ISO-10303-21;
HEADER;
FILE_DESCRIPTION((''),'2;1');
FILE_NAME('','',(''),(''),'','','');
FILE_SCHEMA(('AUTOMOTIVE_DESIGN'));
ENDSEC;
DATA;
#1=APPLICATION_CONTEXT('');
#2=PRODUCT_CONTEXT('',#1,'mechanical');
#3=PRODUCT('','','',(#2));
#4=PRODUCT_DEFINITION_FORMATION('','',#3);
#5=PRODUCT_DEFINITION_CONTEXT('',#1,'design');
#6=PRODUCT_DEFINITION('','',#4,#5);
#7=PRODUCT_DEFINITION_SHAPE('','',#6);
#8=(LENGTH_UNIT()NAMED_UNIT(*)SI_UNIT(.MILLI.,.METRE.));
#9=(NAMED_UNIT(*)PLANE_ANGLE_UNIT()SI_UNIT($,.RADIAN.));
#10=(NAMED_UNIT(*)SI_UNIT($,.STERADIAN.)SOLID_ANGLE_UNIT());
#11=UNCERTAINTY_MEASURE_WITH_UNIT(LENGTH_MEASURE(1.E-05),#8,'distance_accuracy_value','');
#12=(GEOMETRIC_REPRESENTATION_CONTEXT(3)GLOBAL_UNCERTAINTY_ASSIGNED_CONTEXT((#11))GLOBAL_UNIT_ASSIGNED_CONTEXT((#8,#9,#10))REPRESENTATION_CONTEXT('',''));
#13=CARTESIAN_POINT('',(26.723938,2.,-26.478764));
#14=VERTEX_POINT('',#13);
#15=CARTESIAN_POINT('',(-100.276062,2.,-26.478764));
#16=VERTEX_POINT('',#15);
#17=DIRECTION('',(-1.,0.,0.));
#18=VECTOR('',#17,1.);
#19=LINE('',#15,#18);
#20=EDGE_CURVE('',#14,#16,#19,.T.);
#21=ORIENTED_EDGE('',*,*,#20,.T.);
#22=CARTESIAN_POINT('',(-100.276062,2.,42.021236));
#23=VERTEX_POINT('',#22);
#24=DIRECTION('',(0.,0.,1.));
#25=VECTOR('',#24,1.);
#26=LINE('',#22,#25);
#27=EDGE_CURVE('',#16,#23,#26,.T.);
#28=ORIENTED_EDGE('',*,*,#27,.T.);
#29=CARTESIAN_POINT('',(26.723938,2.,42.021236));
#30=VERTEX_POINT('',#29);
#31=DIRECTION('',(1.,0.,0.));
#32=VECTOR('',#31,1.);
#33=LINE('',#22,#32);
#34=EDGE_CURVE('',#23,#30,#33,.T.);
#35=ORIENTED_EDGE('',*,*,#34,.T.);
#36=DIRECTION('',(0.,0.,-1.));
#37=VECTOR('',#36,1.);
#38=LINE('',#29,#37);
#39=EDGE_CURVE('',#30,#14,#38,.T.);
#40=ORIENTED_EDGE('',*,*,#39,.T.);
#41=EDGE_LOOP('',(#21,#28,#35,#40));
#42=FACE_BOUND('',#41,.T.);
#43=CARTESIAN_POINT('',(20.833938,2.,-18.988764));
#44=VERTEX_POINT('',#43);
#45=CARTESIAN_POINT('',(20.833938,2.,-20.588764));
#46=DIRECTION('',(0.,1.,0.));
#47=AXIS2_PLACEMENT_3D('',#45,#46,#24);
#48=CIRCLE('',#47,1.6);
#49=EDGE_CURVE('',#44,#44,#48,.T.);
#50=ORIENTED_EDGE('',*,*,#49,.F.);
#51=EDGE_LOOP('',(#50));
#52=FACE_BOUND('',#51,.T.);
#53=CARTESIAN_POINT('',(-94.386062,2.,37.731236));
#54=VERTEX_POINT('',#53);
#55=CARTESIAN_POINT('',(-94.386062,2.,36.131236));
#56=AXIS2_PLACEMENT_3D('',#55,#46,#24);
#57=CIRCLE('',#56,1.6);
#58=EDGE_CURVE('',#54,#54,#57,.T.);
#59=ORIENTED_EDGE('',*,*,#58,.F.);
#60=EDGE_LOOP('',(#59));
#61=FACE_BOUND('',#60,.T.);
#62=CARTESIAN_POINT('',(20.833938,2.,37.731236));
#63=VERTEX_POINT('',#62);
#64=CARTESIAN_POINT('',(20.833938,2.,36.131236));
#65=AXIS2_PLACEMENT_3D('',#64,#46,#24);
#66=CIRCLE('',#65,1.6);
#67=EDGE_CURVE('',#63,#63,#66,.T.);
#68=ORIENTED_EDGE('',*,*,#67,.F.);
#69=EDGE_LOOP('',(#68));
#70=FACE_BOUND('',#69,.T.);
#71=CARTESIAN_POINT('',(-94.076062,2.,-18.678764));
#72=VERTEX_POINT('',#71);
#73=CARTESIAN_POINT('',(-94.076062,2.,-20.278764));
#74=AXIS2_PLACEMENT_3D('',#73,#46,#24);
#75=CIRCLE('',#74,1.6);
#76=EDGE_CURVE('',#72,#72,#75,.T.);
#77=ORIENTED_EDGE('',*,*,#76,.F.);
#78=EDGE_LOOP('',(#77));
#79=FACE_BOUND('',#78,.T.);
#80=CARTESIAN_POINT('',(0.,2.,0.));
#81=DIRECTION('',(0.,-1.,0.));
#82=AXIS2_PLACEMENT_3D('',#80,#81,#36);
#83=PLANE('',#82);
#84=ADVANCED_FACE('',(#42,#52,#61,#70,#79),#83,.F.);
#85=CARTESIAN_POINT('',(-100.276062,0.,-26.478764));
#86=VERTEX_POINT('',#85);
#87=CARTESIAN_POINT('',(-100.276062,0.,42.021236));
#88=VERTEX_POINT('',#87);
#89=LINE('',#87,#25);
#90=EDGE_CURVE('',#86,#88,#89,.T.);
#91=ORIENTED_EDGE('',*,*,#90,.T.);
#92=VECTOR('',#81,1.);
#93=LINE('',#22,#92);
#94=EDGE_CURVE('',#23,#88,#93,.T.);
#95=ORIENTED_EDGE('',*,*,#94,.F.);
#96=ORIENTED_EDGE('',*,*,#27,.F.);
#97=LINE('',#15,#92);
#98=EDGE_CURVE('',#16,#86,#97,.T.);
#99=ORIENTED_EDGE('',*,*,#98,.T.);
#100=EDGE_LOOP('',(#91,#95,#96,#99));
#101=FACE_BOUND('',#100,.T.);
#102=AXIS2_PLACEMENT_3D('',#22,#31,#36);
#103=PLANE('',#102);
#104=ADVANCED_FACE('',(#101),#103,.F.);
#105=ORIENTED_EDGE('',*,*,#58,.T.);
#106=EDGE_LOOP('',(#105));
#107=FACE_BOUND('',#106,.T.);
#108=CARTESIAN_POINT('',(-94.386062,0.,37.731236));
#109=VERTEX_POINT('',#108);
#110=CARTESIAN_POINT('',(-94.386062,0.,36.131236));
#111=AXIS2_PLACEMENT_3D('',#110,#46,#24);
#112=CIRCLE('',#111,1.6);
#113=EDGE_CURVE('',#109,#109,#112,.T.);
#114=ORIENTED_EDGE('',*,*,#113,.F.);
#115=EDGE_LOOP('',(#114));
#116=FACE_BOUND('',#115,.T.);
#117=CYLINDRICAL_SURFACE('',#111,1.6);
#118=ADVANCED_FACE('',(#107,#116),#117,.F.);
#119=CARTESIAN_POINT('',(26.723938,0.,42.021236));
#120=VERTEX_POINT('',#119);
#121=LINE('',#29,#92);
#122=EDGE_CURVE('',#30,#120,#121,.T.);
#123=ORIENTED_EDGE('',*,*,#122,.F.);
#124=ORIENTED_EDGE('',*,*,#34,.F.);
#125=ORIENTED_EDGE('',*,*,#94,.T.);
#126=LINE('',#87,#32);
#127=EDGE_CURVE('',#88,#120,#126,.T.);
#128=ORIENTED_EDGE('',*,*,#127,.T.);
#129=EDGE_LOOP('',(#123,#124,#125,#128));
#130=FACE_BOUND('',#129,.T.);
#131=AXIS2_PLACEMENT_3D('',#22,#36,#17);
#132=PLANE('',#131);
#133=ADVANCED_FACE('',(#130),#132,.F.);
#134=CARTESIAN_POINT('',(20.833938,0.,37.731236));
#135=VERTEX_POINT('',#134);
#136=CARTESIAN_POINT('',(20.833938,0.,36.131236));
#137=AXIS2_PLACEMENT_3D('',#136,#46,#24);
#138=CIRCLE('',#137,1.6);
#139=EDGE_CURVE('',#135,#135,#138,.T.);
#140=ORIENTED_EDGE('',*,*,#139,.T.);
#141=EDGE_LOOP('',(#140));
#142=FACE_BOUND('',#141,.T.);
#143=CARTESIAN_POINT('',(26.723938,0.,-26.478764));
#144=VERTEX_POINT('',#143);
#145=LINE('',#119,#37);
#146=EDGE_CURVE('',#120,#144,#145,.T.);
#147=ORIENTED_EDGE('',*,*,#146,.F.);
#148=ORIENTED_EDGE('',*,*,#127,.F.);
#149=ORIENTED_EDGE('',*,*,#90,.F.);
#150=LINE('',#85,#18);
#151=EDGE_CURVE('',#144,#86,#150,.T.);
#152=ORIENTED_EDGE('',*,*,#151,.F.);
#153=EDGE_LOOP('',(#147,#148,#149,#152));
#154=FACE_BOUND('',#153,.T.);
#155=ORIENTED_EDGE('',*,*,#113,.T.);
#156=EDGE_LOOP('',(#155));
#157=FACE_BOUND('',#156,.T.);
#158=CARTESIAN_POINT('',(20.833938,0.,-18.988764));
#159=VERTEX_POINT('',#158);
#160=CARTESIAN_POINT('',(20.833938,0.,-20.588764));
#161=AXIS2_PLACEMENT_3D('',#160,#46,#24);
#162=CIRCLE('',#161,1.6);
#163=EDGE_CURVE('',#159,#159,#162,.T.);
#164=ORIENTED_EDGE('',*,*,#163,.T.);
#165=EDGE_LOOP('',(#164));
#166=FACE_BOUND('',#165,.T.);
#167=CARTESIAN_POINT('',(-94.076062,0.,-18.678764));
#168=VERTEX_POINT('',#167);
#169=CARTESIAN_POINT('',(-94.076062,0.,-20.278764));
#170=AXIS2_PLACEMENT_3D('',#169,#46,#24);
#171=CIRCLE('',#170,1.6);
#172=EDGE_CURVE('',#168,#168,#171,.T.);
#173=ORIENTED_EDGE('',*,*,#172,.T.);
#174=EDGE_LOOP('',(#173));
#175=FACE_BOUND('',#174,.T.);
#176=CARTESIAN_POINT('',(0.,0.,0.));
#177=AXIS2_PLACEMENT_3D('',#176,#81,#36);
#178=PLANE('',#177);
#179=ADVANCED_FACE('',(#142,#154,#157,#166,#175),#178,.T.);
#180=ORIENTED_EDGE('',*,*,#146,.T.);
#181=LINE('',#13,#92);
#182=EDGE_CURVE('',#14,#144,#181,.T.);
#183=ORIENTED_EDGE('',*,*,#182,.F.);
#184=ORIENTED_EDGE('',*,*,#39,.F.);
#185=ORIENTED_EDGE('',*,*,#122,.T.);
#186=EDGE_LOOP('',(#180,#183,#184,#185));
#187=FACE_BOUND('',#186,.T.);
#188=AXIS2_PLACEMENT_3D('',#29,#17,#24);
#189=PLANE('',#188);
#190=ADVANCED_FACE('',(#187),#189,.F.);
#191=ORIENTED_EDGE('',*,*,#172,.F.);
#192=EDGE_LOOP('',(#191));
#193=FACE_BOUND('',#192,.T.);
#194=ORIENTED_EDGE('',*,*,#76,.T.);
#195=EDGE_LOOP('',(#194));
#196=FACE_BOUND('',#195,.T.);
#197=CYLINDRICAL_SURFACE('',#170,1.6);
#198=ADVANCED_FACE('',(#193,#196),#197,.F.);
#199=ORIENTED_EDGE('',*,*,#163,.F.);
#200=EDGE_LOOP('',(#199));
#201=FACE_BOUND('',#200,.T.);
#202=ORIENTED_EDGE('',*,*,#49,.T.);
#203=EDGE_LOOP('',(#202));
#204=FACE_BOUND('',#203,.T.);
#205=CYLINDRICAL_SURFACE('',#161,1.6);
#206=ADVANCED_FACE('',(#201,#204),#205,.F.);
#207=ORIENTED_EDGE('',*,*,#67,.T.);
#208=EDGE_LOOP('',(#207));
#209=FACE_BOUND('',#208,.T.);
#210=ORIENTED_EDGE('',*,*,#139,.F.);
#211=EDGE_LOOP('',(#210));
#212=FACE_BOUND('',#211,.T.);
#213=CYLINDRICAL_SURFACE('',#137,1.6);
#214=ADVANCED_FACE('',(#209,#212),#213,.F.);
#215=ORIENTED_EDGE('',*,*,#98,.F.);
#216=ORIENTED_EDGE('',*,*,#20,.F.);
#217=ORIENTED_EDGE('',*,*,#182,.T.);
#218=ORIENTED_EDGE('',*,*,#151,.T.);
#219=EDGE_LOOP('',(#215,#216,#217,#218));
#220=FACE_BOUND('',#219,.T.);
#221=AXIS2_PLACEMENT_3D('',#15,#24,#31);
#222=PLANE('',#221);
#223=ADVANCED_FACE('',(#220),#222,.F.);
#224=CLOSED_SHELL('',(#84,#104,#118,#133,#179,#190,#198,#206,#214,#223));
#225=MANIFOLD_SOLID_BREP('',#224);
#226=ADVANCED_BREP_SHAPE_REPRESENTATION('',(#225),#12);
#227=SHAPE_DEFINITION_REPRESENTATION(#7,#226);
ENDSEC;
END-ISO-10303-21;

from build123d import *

# Parameters (mm, degrees)
SKETCH1_W           = 127
SKETCH1_H           = 68.5
BOSS_EXTRUDE1_DEPTH = 2
SKETCH2_R           = 1.6
CUT_EXTRUDE1_DEPTH  = 2


with BuildPart() as part:
    # Sketch1 → Boss-Extrude1 (new body)
    with BuildSketch(Plane(origin=(0, 0, 0), x_dir=(1, 0, 0), z_dir=(0, 1, 0))):
        with Locations((-36.776061776, -7.771235521)):
            Rectangle(SKETCH1_W, SKETCH1_H)
    extrude(amount=BOSS_EXTRUDE1_DEPTH)

    # Sketch2 → Cut-Extrude1 (cut)
    with BuildSketch(Plane(origin=(0, 2, 0), x_dir=(1, 0, 0), z_dir=(0, 1, 0))):
        with Locations(Location((-94.076061776, 20.278764479, 0), (0, 0, 270))):
            Circle(SKETCH2_R)
        with Locations(Location((-94.386061776, -36.131235521, 0), (0, 0, 270))):
            Circle(SKETCH2_R)
        with Locations(Location((20.833938224, -36.131235521, 0), (0, 0, 270))):
            Circle(SKETCH2_R)
        with Locations(Location((20.833938224, 20.588764479, 0), (0, 0, 270))):
            Circle(SKETCH2_R)
    extrude(amount=-CUT_EXTRUDE1_DEPTH, mode=Mode.SUBTRACT)


solid = part.part
